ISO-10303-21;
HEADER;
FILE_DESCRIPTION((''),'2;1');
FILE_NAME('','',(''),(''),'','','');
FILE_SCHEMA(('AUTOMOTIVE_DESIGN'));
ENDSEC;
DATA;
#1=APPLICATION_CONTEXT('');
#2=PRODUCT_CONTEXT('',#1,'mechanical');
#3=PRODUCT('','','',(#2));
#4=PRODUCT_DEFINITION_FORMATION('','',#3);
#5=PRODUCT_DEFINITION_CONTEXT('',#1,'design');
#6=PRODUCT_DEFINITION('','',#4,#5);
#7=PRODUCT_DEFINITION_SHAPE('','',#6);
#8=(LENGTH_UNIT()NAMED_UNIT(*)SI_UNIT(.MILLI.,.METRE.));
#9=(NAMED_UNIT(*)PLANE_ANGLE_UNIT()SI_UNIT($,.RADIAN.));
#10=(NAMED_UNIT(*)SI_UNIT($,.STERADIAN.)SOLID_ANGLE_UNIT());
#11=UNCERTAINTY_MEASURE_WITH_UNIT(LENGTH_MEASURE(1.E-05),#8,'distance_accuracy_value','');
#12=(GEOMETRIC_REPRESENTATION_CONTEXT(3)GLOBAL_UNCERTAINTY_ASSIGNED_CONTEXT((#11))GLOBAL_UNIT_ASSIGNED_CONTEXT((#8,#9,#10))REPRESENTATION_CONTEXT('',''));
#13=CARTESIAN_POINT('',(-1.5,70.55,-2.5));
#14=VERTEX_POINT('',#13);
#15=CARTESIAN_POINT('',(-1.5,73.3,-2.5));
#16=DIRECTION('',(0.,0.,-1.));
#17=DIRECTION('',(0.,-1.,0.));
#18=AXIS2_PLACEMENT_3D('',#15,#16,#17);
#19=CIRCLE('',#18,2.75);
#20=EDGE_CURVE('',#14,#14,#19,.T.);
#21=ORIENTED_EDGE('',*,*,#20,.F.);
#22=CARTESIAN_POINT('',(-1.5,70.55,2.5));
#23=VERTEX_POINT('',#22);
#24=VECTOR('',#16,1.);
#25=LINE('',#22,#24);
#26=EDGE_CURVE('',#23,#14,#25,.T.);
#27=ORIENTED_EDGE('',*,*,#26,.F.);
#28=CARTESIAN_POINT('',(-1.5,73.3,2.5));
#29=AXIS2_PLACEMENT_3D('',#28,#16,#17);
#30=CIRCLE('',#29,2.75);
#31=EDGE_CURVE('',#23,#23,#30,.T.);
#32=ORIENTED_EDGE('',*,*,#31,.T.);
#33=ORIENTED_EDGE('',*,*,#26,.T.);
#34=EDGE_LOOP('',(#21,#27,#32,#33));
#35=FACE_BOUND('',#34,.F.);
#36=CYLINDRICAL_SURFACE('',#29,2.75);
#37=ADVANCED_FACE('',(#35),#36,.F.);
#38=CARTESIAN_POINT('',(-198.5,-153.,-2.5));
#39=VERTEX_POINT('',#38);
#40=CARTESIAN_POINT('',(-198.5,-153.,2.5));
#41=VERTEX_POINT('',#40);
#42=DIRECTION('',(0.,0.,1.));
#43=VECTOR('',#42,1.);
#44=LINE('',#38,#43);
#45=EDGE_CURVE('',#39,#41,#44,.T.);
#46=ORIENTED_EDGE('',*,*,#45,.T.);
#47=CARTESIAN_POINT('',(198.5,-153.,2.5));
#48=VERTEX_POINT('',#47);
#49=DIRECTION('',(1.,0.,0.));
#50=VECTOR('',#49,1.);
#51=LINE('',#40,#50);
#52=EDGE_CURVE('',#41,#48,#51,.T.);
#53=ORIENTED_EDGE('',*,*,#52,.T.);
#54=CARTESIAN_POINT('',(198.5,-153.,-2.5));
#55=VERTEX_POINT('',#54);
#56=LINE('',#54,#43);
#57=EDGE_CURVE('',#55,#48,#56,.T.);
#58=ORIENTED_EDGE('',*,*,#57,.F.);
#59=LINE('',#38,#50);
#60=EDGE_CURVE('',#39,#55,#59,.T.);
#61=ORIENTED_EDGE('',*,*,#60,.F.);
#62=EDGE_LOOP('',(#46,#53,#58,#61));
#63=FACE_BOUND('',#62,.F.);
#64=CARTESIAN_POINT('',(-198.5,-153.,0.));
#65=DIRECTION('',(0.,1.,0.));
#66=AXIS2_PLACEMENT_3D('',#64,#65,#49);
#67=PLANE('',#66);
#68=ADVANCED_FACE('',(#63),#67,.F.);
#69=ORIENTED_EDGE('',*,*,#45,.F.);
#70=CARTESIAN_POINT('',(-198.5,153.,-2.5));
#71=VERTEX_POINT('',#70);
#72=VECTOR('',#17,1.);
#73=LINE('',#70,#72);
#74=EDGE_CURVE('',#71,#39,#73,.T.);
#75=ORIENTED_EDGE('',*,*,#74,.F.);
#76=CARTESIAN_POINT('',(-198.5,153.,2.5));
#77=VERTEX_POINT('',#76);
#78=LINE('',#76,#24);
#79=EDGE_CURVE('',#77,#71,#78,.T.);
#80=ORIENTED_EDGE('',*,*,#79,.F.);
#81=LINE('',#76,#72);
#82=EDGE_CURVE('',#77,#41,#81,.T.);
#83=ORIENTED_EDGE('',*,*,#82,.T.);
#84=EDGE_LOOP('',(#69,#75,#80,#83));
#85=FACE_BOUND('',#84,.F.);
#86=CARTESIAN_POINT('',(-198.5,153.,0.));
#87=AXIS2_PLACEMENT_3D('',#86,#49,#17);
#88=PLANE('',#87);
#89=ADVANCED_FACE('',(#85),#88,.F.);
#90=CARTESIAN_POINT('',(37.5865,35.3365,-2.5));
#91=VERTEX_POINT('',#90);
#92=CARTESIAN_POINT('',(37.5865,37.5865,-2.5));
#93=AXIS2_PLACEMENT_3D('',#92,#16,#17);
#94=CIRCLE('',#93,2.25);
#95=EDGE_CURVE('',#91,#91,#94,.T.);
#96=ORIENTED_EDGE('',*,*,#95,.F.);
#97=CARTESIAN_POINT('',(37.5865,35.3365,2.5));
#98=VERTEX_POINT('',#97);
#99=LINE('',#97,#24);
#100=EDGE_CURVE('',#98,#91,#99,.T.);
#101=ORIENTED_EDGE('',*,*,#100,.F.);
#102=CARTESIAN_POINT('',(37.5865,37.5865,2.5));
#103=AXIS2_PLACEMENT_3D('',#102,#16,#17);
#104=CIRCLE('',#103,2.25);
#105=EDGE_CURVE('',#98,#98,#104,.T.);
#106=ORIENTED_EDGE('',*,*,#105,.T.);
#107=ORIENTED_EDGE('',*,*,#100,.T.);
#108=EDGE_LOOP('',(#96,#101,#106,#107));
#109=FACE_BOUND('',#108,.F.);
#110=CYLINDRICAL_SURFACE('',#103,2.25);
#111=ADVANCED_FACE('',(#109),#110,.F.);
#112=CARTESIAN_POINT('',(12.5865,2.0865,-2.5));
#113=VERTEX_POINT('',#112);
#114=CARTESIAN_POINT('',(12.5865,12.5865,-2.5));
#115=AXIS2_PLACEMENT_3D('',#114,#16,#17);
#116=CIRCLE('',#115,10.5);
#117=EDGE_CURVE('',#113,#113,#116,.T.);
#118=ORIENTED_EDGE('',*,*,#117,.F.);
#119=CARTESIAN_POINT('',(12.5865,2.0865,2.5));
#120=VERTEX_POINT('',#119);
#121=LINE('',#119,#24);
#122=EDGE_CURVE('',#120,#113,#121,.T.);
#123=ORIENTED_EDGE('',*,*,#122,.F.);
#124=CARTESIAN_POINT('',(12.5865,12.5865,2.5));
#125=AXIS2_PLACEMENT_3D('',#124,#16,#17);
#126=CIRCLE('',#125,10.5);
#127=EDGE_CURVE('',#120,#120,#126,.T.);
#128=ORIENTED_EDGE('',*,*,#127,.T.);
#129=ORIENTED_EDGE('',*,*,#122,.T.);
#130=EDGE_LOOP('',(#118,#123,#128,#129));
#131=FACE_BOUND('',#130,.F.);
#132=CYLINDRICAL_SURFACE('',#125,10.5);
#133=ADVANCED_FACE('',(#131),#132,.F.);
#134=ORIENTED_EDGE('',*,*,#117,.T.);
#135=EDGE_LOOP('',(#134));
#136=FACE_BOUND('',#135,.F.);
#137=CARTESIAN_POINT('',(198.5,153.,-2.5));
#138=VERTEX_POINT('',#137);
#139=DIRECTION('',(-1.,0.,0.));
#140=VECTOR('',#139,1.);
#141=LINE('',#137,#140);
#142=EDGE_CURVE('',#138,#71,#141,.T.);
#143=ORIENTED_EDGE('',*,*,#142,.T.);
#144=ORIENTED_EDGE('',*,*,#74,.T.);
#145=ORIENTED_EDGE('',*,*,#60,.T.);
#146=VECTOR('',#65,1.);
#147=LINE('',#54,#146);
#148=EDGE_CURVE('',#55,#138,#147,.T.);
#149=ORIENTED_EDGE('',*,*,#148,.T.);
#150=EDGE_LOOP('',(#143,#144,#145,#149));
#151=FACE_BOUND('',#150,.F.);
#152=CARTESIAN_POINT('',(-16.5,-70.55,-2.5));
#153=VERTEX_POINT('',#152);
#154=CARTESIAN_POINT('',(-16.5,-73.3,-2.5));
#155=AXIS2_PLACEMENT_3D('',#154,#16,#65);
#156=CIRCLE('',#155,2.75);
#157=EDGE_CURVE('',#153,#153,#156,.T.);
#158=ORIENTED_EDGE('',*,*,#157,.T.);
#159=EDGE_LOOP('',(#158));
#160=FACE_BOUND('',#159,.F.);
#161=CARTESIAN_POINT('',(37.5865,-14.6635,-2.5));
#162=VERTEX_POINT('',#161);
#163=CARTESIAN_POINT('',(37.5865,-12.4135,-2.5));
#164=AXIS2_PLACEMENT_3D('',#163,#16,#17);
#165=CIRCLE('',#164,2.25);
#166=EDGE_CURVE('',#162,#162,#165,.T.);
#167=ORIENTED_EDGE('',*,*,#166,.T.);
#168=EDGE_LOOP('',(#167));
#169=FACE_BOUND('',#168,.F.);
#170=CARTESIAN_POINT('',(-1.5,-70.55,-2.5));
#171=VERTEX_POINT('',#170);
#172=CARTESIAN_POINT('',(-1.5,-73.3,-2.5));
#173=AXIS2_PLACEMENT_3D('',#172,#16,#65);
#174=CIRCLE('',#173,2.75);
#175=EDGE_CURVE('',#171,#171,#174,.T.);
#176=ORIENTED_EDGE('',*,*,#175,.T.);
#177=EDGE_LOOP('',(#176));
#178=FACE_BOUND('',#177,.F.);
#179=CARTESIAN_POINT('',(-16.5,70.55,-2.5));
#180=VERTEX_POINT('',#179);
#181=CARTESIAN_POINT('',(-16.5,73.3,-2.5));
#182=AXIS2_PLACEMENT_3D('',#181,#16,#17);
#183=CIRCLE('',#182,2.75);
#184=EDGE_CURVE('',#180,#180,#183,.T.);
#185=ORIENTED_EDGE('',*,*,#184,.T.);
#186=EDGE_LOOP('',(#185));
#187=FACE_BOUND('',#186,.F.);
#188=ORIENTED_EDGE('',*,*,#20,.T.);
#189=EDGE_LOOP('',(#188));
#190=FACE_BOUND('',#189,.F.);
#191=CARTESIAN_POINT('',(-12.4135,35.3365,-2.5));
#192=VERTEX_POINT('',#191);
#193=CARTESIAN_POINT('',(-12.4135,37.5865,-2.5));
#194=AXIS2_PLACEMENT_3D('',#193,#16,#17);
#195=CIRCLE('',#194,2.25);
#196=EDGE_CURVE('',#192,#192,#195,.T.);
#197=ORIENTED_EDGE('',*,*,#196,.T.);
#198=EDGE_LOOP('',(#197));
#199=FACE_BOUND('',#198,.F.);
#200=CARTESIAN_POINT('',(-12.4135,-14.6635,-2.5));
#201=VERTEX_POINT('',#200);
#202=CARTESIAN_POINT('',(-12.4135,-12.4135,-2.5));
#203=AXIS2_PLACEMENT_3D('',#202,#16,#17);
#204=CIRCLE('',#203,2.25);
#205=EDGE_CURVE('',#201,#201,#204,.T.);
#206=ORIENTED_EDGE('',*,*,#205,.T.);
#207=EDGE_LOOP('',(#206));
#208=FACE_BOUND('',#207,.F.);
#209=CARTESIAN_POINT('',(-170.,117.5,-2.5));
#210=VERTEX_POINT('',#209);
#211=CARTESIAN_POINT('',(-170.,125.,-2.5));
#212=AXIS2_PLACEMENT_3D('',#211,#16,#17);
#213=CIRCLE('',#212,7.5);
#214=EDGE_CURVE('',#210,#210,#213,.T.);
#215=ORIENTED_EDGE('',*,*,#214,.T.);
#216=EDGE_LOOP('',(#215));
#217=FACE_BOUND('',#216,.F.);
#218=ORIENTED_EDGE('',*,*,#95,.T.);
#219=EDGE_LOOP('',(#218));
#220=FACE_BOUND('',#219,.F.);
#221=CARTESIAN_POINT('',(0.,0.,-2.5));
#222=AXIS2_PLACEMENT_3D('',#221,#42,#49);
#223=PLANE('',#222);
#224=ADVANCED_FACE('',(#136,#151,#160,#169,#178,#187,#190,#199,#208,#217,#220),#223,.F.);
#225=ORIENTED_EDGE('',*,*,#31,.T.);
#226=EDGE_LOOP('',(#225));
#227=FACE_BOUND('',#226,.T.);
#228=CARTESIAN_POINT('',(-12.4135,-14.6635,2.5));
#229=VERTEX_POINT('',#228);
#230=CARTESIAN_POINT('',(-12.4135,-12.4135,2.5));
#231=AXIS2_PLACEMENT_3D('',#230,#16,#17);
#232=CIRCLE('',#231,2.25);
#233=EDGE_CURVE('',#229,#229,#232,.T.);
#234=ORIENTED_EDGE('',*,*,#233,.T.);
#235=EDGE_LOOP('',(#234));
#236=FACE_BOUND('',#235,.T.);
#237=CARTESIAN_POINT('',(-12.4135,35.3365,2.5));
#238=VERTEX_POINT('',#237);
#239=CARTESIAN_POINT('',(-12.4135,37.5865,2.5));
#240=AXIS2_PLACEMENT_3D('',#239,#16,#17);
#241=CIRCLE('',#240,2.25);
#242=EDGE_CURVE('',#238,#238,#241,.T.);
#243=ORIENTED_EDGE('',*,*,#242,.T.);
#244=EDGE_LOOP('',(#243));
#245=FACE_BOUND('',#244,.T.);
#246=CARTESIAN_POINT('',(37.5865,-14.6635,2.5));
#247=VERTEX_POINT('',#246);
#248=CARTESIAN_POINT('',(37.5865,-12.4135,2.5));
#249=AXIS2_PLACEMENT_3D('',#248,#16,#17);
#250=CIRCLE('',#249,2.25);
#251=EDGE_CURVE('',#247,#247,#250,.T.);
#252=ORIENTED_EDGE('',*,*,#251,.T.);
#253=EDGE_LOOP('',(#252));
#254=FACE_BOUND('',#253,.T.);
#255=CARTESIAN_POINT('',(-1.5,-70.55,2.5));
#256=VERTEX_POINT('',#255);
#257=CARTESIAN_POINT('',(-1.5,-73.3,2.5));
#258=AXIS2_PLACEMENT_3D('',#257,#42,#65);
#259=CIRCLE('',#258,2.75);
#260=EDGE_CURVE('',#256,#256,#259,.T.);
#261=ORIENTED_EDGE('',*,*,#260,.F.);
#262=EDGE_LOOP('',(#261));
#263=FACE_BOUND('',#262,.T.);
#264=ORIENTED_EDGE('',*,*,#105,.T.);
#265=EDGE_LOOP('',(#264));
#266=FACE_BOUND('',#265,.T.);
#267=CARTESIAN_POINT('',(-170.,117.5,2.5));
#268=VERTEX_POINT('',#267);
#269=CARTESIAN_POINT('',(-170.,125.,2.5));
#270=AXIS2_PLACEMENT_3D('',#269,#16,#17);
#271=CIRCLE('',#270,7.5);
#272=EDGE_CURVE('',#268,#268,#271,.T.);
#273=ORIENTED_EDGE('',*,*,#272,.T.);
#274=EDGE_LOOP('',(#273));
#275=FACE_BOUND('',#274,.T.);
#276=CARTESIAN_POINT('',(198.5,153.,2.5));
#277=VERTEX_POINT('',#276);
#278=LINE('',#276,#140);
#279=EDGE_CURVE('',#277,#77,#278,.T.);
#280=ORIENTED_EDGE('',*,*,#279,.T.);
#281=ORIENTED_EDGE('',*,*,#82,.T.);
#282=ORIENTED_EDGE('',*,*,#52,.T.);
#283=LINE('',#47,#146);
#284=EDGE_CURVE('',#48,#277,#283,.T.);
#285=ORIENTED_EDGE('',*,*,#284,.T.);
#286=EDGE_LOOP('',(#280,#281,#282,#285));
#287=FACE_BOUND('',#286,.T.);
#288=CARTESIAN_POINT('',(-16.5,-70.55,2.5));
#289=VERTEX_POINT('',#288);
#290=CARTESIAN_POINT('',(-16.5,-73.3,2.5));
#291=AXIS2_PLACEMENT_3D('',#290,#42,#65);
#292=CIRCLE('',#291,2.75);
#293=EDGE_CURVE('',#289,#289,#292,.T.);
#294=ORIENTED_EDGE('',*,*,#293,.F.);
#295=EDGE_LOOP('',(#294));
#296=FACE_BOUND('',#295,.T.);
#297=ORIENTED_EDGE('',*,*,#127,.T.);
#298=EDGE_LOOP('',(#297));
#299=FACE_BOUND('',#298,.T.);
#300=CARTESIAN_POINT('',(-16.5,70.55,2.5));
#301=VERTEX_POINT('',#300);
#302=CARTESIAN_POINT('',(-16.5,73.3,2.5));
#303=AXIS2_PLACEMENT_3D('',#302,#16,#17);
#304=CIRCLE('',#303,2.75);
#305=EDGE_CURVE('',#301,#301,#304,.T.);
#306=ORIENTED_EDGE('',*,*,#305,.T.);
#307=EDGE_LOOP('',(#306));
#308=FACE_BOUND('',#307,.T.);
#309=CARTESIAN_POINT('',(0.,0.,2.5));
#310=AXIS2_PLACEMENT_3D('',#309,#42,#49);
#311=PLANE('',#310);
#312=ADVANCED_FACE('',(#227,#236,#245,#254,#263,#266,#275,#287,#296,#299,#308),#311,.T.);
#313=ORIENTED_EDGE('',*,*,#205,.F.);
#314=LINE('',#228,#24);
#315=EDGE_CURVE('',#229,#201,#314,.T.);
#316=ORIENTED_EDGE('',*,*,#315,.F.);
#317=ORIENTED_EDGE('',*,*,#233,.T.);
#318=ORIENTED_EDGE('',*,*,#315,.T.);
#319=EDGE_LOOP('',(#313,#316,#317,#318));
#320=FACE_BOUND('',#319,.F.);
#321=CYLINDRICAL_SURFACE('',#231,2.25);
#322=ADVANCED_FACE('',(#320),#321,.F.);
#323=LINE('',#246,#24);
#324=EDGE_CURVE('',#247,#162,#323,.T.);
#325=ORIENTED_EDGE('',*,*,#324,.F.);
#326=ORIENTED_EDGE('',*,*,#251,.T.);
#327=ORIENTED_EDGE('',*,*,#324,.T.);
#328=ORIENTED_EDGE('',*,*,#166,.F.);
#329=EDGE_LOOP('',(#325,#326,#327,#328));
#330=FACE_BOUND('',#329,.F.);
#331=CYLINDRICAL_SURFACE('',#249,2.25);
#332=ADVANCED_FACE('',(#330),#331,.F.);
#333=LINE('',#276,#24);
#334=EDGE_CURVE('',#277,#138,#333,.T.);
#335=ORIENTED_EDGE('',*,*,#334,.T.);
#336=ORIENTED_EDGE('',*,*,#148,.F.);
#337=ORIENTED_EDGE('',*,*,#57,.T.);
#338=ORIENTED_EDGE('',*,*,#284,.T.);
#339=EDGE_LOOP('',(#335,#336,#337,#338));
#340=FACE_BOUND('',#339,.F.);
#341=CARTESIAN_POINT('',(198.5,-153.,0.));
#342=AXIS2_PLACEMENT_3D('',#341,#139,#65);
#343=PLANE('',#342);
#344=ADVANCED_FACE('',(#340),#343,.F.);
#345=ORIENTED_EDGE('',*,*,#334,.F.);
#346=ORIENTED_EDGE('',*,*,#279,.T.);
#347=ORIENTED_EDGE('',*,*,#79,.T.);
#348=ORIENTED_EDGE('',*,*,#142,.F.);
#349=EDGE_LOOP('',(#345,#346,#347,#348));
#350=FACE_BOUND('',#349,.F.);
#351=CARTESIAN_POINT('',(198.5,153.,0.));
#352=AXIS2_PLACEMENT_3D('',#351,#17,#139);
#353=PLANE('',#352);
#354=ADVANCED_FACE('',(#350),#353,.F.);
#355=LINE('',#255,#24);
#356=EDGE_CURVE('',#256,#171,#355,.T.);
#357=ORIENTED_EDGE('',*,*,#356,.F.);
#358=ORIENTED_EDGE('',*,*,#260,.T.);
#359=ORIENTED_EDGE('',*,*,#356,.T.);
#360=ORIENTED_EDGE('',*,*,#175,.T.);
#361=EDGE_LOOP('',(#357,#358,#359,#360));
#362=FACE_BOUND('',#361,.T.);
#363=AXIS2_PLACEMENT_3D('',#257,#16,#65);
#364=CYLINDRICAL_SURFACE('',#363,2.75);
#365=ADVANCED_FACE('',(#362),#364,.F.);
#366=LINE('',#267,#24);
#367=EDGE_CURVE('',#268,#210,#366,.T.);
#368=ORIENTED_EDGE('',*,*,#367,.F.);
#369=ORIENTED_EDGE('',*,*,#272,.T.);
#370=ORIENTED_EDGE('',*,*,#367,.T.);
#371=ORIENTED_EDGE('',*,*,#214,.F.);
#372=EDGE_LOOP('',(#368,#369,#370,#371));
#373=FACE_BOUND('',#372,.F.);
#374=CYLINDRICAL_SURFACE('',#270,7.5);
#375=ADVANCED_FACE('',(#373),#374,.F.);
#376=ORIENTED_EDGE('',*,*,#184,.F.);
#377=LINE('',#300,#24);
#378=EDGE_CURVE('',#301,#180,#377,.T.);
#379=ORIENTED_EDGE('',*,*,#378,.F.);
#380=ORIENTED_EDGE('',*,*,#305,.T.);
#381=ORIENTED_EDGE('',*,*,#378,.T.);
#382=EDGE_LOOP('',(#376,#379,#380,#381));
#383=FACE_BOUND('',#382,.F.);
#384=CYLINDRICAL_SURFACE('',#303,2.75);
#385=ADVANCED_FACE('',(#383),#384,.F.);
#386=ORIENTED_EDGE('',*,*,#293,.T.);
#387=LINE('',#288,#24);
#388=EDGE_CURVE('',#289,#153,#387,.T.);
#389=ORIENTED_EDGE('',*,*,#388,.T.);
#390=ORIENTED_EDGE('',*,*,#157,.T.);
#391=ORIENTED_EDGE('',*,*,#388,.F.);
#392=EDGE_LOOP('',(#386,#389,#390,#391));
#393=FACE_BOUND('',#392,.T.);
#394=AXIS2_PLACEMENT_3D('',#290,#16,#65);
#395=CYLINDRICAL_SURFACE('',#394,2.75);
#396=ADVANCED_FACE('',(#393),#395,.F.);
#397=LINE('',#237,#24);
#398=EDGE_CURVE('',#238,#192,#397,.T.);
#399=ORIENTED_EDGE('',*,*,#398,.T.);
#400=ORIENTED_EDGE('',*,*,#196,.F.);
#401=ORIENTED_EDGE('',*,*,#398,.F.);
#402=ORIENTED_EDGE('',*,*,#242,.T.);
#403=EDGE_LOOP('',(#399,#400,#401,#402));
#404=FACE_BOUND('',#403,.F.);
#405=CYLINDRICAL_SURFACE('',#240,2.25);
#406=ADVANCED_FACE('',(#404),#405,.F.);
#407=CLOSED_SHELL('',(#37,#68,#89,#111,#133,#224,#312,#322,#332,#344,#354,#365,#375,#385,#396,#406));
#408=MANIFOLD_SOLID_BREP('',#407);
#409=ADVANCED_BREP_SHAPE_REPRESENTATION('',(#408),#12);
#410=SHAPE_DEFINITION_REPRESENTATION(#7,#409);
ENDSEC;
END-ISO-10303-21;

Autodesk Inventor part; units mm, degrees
ref_plane "YZ Plane" through (0, 0, 0) normal (1, 0, 0) x (0, 1, 0)
ref_plane "XZ Plane" through (0, 0, 0) normal (0, 1, 0) x (-1, 0, 0)
ref_plane "XY Plane" through (0, 0, 0) normal (0, 0, 1) x (1, 0, 0)
sketch "Esquisse1" plane through (0, 0, 0) normal (0, 0, 1) x (1, 0, 0)
  line L0 (-198.5, -153) -> (198.5, -153)
  line L1 (198.5, -153) -> (198.5, 153)
  line L2 (198.5, 153) -> (-198.5, 153)
  line L3 (-198.5, 153) -> (-198.5, -153)
  line L4 (-198.5, -153) -> (198.5, 153) construction
  line L5 (198.5, -153) -> (-198.5, 153) construction
  point P0 (0, 0)
  dimension "Largueur_plaque_support" = 397
  dimension "Profondeur_plaque_support" = 306
extrude "Embase" add sketch "Esquisse1" along normal mid plane 5
sketch "Trous moteur" plane through (0, 0, 2.5) normal (0, 0, 1) x (1, 0, 0)
  line L0 (-12.4135, -12.4135) -> (37.5865, 37.5865) construction
  line L1 (-12.4135, 37.5865) -> (37.5865, -12.4135) construction
  point P0 (0, 0)
  point P1 (12.5865, 12.5865)
  dimension "Entraxe_vis_moteur" = 50
  dimension "d5" = 50
  dimension "Entraxe_engrenage" = 17.8
hole "Passage vis moteur" at (-12.4135, 37.5865, 2.5) at (37.5865, 37.5865, 2.5) at (37.5865, -12.4135, 2.5) at (-12.4135, -12.4135, 2.5) direction (0, 0, -1) diameter 4.5 end through all clearance for "Vis à tête plate fraisée ISO 2009/7046" size "M4" standard "ISO"
hole "Passage axe moteur" at (12.5865, 12.5865, 2.5) direction (0, 0, -1) diameter 21 end through all
sketch "Esquisse3" plane through (0, 0, 2.5) normal (0, 0, 1) x (1, 0, 0)
  point P0 (0, 0)
  point P1 (-16.5, 73.3)
  point P2 (-1.5, 73.3)
  dimension "Entraxe_fication" = 15
  dimension "Demi_entraxe" = 73.3
  dimension "Décalage" = 1.5
hole "Passage vis bras" at (-16.5, 73.3, 2.5) at (-1.5, 73.3, 2.5) direction (0, 0, -1) diameter 5.5 end through all clearance for "Vis à tête plate fraisée ISO 2009/7046" size "M5" standard "ISO"
mirror "Symétrie passage vis bras" about plane through (0, 0, 0) normal (0, 1, 0) of "Passage vis bras"
sketch "Esquisse4" plane through (0, 0, 2.5) normal (0, 0, 1) x (1, 0, 0)
  point P0 (0, 0)
  point P1 (-170, 125)
  dimension "d31" = 170
  dimension "d32" = 125
hole "Perçage4" at (-170, 125, 2.5) direction (0, 0, -1) diameter 15 end through all
equation "\"d5\" = Entraxe_vis_moteur"
properties part number "Plaque support" material "Plastique PMMA"
